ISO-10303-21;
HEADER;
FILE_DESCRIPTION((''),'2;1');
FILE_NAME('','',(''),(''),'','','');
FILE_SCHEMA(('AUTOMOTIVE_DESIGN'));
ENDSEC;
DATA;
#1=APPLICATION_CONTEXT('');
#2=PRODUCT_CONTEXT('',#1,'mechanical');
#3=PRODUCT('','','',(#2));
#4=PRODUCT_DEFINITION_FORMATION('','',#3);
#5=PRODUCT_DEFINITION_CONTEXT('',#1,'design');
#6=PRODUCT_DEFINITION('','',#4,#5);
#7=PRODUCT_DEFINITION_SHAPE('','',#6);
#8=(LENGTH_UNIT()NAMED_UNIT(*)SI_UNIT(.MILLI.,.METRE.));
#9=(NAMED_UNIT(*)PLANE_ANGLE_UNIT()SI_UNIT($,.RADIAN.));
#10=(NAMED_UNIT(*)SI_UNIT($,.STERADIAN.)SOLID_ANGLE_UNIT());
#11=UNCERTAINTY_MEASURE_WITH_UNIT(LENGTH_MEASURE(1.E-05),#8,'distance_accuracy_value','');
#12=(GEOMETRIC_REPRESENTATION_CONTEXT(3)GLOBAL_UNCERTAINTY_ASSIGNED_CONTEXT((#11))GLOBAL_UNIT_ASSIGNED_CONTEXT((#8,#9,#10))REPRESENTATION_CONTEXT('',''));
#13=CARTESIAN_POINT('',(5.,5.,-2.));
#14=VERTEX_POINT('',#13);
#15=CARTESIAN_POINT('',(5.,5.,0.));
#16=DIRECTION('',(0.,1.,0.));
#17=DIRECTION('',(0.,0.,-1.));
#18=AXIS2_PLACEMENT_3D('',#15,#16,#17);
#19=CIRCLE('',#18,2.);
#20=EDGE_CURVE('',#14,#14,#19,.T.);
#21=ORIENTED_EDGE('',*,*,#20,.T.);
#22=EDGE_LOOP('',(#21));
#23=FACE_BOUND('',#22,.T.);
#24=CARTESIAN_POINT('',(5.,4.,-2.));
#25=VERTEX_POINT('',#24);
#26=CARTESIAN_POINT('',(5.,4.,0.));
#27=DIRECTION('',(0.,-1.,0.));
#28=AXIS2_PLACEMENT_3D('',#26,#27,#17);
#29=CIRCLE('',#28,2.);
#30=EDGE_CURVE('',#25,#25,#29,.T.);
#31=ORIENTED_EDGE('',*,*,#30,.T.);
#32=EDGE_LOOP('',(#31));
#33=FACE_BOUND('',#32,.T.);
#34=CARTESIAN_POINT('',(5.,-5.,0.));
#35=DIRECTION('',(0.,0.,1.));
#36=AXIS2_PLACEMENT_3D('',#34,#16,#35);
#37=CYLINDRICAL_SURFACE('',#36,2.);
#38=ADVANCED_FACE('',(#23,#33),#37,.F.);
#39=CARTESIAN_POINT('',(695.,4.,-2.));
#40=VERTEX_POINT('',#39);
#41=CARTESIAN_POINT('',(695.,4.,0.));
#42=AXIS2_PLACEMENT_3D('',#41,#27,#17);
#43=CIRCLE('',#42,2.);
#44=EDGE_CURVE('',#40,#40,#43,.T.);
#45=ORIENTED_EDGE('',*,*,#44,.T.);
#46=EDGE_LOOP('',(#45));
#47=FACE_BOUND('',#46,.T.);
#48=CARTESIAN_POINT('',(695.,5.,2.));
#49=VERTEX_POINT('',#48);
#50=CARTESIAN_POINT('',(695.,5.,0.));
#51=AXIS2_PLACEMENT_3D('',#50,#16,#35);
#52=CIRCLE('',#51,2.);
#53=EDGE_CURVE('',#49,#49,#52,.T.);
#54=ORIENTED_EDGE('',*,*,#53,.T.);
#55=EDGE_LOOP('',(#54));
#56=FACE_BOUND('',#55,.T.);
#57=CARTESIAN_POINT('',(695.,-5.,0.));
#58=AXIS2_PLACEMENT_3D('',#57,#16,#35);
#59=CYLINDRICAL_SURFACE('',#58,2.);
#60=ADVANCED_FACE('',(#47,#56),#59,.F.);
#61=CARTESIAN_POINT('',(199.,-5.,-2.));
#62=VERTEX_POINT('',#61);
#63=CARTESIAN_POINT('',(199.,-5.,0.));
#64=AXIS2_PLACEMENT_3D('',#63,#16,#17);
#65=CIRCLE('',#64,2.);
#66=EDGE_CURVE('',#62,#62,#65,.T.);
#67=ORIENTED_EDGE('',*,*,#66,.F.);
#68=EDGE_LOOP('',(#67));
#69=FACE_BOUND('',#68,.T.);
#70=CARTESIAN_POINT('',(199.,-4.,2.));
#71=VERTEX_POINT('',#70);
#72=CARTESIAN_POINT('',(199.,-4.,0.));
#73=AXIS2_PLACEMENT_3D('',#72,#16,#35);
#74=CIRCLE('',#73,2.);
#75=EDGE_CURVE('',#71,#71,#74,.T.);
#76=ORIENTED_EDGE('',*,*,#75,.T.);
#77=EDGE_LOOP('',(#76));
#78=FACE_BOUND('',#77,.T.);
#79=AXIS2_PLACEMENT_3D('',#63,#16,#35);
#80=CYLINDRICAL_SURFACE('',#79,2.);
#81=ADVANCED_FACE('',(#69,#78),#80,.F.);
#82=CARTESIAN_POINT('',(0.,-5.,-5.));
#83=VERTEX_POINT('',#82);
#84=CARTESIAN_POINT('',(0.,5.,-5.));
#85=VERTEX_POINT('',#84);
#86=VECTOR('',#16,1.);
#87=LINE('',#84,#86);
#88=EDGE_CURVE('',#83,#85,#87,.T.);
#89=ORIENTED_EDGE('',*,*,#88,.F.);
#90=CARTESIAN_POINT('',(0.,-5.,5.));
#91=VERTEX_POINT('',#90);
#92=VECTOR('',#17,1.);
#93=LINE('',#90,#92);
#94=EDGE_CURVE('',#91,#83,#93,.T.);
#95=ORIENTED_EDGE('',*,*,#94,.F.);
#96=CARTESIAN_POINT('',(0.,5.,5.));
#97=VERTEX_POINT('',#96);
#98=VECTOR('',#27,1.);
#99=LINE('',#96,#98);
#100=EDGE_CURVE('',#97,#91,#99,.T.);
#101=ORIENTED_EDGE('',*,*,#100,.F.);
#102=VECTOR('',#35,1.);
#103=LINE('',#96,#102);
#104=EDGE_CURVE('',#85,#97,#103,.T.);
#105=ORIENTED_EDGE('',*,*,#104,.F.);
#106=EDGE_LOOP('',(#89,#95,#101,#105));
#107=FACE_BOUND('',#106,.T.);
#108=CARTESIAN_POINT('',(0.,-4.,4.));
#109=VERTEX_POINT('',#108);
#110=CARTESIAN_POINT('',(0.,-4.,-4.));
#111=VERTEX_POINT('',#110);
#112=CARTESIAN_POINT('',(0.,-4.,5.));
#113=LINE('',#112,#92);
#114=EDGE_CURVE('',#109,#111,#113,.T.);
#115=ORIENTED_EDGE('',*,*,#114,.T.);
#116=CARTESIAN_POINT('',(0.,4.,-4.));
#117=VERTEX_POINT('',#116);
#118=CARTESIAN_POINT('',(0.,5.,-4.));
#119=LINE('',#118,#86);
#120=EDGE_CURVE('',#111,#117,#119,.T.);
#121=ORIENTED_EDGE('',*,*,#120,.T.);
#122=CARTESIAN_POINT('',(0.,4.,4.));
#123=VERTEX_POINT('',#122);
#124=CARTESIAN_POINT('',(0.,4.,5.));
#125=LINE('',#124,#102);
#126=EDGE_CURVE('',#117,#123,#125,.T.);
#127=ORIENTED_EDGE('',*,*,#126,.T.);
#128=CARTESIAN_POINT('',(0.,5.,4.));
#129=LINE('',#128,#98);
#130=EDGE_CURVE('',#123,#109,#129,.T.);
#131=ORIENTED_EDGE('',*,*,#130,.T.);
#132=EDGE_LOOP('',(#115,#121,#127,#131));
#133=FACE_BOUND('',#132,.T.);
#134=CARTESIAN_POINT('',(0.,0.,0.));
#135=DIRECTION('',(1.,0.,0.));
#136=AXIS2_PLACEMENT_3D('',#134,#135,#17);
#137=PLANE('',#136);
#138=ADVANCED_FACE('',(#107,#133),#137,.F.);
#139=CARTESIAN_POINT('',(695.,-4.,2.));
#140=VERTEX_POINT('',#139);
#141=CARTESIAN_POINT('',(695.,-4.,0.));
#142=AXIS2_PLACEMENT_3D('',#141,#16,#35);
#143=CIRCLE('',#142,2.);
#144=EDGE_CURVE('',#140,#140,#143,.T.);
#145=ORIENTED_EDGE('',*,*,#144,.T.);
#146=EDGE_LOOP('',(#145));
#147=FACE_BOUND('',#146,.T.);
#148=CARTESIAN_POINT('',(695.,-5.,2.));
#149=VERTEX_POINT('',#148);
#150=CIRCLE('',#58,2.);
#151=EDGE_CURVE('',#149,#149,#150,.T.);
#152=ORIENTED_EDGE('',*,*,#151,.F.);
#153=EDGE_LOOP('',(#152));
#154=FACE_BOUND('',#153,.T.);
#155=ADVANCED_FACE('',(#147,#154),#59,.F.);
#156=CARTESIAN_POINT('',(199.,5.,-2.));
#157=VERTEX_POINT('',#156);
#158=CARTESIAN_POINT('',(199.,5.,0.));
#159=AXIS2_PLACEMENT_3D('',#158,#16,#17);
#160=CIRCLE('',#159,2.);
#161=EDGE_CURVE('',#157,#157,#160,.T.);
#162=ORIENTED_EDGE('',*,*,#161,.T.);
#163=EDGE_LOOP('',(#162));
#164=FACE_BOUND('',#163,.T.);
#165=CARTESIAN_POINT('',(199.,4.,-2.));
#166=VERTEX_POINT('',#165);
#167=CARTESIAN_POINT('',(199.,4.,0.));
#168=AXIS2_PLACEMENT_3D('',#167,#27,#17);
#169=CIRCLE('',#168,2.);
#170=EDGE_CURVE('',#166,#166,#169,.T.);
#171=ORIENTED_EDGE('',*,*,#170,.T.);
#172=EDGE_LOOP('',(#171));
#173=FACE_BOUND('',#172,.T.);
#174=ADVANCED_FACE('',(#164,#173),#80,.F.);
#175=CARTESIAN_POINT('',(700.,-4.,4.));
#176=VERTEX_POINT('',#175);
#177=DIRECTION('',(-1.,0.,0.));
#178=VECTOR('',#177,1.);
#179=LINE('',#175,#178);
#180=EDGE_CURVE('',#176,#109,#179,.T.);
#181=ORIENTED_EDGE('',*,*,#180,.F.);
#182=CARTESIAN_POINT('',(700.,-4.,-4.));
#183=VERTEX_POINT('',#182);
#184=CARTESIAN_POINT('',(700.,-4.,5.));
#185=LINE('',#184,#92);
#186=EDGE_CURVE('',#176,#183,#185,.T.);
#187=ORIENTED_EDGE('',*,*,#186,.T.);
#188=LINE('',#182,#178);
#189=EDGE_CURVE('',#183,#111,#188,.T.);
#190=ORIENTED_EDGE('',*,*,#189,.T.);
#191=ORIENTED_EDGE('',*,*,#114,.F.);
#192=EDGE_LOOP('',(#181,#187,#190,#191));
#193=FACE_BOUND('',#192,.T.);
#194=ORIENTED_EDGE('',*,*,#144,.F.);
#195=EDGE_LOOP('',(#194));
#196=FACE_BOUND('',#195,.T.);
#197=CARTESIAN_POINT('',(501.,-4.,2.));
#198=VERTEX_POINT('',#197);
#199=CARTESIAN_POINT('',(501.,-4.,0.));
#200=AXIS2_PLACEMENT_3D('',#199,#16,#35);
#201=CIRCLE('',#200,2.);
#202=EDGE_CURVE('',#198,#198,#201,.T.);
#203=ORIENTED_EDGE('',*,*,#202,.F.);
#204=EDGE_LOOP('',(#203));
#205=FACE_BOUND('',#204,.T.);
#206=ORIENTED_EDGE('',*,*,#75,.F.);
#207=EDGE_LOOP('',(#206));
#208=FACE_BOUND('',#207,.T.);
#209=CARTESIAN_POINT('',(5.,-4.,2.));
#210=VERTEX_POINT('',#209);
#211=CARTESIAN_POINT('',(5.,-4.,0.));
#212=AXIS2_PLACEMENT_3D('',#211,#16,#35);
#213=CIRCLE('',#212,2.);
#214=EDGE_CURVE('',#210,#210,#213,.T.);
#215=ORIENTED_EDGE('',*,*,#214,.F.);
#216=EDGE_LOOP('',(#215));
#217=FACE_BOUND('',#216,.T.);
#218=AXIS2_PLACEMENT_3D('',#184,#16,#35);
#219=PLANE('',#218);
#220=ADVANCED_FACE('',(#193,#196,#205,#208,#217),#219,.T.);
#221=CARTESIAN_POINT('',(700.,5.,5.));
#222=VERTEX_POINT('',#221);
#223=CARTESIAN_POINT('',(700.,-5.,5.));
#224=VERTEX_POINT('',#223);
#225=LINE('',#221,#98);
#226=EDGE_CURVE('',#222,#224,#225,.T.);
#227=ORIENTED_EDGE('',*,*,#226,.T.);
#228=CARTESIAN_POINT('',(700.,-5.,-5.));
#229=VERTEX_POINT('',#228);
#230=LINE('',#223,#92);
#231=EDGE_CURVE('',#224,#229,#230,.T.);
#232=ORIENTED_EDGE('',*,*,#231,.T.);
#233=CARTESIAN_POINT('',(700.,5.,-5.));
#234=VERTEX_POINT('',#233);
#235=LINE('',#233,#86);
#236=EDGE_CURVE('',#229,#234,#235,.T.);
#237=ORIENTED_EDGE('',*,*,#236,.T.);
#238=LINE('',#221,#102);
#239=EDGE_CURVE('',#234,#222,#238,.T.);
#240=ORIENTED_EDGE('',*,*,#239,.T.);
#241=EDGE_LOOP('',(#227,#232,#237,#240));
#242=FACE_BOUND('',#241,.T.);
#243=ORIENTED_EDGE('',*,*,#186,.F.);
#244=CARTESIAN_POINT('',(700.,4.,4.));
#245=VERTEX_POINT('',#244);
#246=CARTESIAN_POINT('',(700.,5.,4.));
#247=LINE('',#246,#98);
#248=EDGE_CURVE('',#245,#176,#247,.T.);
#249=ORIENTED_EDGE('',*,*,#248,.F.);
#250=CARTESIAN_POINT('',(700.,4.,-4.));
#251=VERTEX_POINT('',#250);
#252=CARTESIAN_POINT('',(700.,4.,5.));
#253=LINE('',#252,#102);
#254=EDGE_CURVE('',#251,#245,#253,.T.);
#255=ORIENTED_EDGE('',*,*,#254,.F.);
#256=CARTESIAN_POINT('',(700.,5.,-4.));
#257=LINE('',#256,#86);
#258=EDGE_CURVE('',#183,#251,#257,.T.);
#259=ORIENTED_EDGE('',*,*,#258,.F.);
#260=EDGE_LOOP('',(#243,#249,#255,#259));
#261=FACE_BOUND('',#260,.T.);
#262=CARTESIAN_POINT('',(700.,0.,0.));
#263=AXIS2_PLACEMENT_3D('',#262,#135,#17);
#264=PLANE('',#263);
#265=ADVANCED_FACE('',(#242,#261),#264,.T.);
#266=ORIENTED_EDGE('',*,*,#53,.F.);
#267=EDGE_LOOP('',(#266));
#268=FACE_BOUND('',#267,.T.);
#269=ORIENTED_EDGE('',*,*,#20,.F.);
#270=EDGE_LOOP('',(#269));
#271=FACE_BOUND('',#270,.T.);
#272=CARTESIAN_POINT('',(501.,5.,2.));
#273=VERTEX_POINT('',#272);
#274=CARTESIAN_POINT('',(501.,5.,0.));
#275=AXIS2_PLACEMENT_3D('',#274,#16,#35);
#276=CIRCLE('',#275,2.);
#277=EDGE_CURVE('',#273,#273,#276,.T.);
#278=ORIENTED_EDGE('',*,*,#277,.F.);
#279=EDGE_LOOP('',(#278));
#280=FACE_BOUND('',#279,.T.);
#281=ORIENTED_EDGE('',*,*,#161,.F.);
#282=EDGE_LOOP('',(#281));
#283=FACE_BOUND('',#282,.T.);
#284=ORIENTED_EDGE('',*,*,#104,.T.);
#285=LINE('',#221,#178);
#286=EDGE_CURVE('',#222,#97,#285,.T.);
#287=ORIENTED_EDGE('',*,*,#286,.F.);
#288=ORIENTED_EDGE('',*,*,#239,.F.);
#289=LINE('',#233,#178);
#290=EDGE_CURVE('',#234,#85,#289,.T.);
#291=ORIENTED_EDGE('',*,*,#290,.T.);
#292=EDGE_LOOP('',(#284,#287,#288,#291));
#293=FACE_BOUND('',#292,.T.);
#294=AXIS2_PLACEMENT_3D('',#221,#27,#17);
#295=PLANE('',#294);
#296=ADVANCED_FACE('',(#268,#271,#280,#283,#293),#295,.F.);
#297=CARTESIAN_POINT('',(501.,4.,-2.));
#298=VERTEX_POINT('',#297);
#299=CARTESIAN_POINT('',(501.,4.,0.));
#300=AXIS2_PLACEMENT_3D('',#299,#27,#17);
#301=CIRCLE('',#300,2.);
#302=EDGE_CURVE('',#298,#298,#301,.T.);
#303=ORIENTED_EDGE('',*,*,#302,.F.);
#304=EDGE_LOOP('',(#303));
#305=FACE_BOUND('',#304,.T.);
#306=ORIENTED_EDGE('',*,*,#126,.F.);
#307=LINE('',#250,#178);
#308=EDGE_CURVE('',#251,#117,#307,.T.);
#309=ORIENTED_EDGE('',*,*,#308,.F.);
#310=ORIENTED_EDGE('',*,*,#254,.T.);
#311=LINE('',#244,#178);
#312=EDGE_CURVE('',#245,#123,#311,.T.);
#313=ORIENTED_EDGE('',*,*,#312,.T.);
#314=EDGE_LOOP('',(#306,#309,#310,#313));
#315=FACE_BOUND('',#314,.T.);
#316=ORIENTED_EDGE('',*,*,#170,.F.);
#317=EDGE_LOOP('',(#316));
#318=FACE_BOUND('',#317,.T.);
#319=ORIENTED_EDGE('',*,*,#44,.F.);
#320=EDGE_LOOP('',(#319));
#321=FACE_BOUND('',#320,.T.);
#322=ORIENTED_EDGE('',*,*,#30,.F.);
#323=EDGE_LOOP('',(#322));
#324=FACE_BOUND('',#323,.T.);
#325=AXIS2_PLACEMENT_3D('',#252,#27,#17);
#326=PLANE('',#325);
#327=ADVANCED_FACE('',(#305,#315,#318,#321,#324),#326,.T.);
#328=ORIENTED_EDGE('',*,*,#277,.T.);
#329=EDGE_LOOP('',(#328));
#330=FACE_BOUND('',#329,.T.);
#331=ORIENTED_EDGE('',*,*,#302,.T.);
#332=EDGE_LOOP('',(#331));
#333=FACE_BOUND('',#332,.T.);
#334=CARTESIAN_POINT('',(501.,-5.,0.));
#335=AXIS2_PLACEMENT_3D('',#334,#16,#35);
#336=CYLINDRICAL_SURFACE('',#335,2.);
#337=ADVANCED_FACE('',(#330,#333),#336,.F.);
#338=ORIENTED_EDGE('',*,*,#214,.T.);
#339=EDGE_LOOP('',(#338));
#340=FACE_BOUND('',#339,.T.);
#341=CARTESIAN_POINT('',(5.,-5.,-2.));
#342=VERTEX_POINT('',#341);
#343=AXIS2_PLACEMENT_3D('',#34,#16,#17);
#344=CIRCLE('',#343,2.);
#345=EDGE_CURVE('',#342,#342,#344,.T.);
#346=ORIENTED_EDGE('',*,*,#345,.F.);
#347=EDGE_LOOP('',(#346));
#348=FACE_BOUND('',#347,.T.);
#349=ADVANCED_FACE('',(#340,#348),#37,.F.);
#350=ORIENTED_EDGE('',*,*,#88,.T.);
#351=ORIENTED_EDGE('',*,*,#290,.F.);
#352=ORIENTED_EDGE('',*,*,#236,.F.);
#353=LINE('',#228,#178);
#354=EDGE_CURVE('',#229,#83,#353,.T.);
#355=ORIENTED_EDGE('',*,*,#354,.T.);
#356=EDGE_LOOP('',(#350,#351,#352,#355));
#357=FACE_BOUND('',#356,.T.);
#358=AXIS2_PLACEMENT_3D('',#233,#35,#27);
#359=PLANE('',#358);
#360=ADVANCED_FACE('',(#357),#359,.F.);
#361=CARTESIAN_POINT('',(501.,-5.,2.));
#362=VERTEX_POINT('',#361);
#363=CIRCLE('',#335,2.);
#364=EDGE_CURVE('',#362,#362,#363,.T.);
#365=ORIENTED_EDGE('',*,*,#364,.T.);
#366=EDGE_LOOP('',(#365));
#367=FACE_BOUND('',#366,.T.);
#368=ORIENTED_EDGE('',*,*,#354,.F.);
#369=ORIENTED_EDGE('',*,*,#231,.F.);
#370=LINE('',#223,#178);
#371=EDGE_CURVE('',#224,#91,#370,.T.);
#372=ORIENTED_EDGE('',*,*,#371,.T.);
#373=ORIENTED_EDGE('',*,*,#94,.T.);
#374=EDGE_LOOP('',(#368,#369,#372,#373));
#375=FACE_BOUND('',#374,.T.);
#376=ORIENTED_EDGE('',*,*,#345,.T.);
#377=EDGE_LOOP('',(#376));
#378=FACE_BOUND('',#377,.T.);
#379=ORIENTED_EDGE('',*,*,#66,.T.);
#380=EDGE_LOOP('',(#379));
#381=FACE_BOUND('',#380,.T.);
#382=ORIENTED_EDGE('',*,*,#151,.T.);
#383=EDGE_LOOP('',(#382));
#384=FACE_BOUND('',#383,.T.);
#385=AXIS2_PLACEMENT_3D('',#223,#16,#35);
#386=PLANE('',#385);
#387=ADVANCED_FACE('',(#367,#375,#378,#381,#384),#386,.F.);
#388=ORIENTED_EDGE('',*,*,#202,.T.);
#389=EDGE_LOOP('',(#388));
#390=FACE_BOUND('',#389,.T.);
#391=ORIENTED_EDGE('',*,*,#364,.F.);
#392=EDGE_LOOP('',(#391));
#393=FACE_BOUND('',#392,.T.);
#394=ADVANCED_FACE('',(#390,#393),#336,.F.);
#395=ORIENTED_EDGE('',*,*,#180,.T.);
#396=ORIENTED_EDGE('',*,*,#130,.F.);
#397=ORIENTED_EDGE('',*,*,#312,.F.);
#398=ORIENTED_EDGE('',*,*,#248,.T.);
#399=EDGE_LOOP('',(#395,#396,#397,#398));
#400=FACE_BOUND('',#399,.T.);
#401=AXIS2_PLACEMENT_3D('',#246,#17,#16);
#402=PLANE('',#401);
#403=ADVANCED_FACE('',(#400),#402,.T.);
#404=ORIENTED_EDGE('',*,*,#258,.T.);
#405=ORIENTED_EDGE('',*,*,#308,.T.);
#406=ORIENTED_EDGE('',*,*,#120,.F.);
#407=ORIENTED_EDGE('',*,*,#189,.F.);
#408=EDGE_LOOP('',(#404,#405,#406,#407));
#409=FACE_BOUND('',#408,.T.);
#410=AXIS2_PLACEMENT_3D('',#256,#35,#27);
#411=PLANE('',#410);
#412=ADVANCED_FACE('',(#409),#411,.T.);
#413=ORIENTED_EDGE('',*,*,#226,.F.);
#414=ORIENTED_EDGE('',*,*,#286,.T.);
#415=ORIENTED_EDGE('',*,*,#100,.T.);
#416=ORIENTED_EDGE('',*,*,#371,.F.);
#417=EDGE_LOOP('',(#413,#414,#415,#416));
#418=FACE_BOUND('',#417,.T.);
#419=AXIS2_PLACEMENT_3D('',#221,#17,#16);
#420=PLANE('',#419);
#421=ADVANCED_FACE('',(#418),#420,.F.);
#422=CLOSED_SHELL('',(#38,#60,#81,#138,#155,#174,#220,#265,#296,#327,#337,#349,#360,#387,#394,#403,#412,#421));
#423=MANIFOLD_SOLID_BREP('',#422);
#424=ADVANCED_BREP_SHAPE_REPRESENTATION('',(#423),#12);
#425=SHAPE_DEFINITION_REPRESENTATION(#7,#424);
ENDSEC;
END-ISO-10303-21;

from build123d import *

# Parameters (mm, degrees)
SKETCH_1_W          = 10
SKETCH_1_H          = 10
SKETCH_1_W_2        = 8
SKETCH_1_H_2        = 8
EXTRUDE_1_DEPTH     = 700
SKETCH_2_R          = 2
CUT_EXTRUDE_1_DEPTH = 701.089280021


with BuildPart() as part:
    # ｽｹｯﾁ1 → 押し出し-薄板1 (new body)
    with BuildSketch(Plane(origin=(0, 0, 0), x_dir=(0, 0, -1), z_dir=(1, 0, 0))):
        Rectangle(SKETCH_1_W, SKETCH_1_H)
        Rectangle(SKETCH_1_W_2, SKETCH_1_H_2, mode=Mode.SUBTRACT)
    extrude(amount=EXTRUDE_1_DEPTH)

    # ｽｹｯﾁ2 → ｶｯﾄ - 押し出し1 (cut, through all)
    with BuildSketch(Plane(origin=(0, 5, 0), x_dir=(1, 0, 0), z_dir=(0, 1, 0))):
        with Locations(Location((695, 0, 0), (0, 0, 270))):
            Circle(SKETCH_2_R)
        with Locations(Location((5, 0, 0), (0, 0, 270))):
            Circle(SKETCH_2_R)
        with Locations(Location((501, 0, 0), (0, 0, 270))):
            Circle(SKETCH_2_R)
        with Locations(Location((199, 0, 0), (0, 0, 270))):
            Circle(SKETCH_2_R)
    extrude(amount=-CUT_EXTRUDE_1_DEPTH, mode=Mode.SUBTRACT)


solid = part.part
